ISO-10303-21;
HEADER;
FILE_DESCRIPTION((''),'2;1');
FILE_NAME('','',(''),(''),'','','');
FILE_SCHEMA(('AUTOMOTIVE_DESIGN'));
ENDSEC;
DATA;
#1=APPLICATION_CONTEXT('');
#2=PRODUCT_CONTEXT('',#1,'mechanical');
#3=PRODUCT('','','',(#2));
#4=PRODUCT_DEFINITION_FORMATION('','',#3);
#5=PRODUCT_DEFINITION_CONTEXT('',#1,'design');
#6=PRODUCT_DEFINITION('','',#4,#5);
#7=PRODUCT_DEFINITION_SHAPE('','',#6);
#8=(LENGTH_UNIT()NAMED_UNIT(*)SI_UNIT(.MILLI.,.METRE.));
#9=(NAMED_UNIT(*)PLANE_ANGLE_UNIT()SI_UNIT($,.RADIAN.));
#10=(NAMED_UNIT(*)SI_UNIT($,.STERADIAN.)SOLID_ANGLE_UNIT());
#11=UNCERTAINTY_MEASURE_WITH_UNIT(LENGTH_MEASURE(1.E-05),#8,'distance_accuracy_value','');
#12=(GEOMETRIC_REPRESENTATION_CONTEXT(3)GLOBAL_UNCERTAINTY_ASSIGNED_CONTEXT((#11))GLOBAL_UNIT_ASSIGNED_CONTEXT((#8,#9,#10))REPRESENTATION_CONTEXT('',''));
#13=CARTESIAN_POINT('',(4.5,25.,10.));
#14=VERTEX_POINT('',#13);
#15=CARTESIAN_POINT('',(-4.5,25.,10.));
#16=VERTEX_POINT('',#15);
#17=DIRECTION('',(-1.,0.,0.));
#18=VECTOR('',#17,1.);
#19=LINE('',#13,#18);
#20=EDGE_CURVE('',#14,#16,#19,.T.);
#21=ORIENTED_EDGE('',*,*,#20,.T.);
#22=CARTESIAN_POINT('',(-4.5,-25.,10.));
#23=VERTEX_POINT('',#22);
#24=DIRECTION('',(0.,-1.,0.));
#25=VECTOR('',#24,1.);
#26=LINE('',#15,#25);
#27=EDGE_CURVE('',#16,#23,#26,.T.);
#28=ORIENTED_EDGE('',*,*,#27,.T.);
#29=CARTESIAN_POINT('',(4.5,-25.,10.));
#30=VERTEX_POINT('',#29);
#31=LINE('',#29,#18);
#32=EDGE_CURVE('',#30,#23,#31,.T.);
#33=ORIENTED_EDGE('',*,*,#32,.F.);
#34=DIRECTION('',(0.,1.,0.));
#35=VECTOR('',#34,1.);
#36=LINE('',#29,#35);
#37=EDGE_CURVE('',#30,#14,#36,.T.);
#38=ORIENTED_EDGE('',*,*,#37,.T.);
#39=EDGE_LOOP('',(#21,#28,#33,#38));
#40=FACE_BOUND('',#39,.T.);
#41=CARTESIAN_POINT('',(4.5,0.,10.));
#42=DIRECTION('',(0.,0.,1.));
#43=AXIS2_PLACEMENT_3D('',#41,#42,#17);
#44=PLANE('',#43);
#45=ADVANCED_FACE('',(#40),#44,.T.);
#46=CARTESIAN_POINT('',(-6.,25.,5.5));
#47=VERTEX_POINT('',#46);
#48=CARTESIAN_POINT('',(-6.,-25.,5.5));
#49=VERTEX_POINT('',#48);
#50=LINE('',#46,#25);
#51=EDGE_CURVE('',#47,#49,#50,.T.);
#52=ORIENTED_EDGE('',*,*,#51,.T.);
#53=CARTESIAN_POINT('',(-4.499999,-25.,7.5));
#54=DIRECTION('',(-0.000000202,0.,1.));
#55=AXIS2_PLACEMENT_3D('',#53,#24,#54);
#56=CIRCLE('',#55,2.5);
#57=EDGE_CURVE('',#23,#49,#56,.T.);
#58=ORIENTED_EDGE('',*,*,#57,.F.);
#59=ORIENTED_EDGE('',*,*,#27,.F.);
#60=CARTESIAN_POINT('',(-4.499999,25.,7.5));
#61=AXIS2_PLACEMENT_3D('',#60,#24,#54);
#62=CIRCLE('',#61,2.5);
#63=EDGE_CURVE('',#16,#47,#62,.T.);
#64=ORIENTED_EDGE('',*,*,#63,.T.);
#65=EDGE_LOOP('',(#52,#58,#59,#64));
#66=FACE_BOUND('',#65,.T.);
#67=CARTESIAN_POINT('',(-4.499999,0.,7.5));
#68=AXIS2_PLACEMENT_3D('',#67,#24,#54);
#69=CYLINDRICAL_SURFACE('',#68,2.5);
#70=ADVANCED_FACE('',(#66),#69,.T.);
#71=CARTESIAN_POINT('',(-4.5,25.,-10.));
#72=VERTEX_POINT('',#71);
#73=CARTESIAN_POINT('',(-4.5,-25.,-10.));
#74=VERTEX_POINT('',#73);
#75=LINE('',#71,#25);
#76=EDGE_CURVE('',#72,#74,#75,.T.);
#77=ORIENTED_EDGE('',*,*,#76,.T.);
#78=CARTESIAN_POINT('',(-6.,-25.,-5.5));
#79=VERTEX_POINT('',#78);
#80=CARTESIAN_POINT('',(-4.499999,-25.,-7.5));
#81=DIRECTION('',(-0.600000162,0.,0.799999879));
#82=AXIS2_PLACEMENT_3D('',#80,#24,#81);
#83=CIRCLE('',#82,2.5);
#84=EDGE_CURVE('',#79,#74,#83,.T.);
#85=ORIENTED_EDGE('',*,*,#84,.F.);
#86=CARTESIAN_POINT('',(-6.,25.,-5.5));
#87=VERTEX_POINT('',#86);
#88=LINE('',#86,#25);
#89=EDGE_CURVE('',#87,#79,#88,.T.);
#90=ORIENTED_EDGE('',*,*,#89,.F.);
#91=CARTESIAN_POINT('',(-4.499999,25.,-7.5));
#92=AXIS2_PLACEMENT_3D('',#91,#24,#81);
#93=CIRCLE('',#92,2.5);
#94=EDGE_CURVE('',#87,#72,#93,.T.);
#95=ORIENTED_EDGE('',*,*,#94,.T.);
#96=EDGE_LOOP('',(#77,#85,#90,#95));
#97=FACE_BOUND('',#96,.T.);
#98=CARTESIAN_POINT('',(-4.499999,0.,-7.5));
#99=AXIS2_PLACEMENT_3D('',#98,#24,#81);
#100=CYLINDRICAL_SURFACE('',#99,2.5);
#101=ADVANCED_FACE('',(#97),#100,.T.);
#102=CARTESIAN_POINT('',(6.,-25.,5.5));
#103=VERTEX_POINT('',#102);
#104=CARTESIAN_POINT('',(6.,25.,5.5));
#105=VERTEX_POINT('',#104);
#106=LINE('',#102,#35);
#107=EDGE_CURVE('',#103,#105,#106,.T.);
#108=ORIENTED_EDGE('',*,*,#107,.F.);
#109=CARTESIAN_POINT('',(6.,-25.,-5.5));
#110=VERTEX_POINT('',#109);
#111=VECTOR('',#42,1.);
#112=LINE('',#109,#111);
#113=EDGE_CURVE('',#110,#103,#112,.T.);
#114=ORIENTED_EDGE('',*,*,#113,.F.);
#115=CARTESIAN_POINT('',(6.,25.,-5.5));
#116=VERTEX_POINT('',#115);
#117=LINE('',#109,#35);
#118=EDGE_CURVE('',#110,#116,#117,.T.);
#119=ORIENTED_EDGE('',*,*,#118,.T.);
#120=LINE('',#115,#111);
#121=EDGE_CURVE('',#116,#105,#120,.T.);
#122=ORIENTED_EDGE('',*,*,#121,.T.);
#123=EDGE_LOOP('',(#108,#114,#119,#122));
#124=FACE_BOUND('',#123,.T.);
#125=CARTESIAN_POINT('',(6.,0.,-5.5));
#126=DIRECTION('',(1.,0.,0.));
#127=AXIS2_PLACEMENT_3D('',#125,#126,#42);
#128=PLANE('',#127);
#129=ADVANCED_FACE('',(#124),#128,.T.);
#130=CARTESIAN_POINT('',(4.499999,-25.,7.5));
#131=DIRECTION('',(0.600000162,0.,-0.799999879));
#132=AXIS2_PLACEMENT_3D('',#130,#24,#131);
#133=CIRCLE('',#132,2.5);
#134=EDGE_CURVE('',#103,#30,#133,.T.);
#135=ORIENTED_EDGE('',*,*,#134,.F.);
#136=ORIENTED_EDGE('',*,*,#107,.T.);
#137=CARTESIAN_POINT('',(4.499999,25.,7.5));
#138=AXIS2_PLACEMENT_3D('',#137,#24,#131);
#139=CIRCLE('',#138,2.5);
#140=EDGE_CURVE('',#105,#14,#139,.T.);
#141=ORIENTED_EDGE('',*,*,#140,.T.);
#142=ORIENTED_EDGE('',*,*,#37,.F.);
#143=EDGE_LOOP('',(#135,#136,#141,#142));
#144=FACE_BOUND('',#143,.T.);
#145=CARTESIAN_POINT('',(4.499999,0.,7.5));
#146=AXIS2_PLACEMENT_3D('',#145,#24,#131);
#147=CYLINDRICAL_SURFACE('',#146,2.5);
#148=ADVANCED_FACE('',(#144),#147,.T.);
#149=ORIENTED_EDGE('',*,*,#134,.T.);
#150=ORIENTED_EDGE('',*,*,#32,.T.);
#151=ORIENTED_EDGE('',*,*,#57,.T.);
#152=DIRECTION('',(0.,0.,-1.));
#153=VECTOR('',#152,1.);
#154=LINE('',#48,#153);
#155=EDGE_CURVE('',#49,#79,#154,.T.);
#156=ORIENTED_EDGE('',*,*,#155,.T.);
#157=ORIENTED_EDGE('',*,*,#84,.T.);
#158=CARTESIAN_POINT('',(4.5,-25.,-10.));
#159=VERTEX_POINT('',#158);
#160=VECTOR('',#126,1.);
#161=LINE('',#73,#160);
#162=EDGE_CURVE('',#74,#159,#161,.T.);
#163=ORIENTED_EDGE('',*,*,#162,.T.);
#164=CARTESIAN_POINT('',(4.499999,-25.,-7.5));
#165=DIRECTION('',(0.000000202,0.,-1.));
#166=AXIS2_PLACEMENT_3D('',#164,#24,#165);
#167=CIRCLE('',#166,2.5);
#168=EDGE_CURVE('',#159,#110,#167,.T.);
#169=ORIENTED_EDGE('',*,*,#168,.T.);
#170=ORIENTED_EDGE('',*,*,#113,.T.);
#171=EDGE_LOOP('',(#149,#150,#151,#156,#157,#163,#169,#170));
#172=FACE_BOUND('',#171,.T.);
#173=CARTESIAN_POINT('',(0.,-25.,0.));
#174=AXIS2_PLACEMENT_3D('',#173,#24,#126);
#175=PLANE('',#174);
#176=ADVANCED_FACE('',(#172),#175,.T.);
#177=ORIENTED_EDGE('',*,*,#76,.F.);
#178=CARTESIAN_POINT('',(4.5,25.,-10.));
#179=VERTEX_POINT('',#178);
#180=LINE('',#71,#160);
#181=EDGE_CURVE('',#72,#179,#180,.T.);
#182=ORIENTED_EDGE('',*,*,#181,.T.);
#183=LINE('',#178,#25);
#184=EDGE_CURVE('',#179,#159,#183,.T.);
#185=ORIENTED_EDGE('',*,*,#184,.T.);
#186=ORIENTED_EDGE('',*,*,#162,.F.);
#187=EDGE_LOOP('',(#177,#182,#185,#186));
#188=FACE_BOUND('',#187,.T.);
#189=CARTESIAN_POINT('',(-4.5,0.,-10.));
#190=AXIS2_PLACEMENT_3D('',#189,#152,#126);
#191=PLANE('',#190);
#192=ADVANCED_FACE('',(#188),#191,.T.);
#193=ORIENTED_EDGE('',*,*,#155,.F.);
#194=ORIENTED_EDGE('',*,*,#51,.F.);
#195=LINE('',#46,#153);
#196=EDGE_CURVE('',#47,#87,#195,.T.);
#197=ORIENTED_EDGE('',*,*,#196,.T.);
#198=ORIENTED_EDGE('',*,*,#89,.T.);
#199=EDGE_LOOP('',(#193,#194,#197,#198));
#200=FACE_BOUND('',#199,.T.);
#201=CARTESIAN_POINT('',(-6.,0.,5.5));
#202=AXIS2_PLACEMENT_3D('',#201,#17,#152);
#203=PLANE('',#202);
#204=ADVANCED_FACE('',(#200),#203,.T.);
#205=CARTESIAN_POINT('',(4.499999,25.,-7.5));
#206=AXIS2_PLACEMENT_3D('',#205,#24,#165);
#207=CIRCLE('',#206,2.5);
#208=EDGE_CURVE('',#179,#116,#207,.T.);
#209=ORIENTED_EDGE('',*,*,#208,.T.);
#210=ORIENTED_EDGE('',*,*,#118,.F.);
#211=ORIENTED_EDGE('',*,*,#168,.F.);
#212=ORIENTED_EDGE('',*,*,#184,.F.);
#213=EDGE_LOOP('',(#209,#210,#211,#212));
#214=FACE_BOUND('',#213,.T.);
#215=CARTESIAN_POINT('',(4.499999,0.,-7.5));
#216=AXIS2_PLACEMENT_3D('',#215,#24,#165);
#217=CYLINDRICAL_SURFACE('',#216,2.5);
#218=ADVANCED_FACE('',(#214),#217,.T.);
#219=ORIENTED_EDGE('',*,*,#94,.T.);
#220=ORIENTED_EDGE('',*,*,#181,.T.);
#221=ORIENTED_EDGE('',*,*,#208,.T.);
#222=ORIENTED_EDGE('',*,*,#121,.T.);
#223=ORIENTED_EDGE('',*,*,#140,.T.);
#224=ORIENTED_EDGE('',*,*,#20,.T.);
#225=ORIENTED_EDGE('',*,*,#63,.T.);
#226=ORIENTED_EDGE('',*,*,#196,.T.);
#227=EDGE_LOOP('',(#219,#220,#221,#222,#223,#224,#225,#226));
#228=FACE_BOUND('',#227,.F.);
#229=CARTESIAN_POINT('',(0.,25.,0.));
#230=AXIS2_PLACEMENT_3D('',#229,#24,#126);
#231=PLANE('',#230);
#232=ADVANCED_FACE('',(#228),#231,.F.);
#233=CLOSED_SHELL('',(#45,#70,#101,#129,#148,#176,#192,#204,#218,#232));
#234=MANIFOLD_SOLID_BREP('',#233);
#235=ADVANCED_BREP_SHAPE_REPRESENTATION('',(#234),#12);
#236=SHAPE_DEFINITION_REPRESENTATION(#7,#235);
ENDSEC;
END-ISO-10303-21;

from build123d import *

# Parameters (mm, degrees)
F1_DEPTH = 25


with BuildPart() as f1:
    # F0 (on Front) → F1 (new body, symmetric)
    with BuildSketch(Plane.XZ):
        with BuildLine():
            Line((4.5, 10), (-4.5, 10))
            ThreePointArc((-4.5, 10), (-6.871708, 8.290569), (-6, 5.5))
            Line((-6, 5.5), (-6, -5.5))
            ThreePointArc((-6, -5.5), (-6.871708, -8.290569), (-4.5, -10))
            Line((-4.5, -10), (4.5, -10))
            ThreePointArc((4.5, -10), (6.871708, -8.290569), (6, -5.5))
            Line((6, -5.5), (6, 5.5))
            ThreePointArc((6, 5.5), (6.871708, 8.290569), (4.5, 10))
        make_face()
    extrude(amount=F1_DEPTH, both=True)


solid = f1.part
